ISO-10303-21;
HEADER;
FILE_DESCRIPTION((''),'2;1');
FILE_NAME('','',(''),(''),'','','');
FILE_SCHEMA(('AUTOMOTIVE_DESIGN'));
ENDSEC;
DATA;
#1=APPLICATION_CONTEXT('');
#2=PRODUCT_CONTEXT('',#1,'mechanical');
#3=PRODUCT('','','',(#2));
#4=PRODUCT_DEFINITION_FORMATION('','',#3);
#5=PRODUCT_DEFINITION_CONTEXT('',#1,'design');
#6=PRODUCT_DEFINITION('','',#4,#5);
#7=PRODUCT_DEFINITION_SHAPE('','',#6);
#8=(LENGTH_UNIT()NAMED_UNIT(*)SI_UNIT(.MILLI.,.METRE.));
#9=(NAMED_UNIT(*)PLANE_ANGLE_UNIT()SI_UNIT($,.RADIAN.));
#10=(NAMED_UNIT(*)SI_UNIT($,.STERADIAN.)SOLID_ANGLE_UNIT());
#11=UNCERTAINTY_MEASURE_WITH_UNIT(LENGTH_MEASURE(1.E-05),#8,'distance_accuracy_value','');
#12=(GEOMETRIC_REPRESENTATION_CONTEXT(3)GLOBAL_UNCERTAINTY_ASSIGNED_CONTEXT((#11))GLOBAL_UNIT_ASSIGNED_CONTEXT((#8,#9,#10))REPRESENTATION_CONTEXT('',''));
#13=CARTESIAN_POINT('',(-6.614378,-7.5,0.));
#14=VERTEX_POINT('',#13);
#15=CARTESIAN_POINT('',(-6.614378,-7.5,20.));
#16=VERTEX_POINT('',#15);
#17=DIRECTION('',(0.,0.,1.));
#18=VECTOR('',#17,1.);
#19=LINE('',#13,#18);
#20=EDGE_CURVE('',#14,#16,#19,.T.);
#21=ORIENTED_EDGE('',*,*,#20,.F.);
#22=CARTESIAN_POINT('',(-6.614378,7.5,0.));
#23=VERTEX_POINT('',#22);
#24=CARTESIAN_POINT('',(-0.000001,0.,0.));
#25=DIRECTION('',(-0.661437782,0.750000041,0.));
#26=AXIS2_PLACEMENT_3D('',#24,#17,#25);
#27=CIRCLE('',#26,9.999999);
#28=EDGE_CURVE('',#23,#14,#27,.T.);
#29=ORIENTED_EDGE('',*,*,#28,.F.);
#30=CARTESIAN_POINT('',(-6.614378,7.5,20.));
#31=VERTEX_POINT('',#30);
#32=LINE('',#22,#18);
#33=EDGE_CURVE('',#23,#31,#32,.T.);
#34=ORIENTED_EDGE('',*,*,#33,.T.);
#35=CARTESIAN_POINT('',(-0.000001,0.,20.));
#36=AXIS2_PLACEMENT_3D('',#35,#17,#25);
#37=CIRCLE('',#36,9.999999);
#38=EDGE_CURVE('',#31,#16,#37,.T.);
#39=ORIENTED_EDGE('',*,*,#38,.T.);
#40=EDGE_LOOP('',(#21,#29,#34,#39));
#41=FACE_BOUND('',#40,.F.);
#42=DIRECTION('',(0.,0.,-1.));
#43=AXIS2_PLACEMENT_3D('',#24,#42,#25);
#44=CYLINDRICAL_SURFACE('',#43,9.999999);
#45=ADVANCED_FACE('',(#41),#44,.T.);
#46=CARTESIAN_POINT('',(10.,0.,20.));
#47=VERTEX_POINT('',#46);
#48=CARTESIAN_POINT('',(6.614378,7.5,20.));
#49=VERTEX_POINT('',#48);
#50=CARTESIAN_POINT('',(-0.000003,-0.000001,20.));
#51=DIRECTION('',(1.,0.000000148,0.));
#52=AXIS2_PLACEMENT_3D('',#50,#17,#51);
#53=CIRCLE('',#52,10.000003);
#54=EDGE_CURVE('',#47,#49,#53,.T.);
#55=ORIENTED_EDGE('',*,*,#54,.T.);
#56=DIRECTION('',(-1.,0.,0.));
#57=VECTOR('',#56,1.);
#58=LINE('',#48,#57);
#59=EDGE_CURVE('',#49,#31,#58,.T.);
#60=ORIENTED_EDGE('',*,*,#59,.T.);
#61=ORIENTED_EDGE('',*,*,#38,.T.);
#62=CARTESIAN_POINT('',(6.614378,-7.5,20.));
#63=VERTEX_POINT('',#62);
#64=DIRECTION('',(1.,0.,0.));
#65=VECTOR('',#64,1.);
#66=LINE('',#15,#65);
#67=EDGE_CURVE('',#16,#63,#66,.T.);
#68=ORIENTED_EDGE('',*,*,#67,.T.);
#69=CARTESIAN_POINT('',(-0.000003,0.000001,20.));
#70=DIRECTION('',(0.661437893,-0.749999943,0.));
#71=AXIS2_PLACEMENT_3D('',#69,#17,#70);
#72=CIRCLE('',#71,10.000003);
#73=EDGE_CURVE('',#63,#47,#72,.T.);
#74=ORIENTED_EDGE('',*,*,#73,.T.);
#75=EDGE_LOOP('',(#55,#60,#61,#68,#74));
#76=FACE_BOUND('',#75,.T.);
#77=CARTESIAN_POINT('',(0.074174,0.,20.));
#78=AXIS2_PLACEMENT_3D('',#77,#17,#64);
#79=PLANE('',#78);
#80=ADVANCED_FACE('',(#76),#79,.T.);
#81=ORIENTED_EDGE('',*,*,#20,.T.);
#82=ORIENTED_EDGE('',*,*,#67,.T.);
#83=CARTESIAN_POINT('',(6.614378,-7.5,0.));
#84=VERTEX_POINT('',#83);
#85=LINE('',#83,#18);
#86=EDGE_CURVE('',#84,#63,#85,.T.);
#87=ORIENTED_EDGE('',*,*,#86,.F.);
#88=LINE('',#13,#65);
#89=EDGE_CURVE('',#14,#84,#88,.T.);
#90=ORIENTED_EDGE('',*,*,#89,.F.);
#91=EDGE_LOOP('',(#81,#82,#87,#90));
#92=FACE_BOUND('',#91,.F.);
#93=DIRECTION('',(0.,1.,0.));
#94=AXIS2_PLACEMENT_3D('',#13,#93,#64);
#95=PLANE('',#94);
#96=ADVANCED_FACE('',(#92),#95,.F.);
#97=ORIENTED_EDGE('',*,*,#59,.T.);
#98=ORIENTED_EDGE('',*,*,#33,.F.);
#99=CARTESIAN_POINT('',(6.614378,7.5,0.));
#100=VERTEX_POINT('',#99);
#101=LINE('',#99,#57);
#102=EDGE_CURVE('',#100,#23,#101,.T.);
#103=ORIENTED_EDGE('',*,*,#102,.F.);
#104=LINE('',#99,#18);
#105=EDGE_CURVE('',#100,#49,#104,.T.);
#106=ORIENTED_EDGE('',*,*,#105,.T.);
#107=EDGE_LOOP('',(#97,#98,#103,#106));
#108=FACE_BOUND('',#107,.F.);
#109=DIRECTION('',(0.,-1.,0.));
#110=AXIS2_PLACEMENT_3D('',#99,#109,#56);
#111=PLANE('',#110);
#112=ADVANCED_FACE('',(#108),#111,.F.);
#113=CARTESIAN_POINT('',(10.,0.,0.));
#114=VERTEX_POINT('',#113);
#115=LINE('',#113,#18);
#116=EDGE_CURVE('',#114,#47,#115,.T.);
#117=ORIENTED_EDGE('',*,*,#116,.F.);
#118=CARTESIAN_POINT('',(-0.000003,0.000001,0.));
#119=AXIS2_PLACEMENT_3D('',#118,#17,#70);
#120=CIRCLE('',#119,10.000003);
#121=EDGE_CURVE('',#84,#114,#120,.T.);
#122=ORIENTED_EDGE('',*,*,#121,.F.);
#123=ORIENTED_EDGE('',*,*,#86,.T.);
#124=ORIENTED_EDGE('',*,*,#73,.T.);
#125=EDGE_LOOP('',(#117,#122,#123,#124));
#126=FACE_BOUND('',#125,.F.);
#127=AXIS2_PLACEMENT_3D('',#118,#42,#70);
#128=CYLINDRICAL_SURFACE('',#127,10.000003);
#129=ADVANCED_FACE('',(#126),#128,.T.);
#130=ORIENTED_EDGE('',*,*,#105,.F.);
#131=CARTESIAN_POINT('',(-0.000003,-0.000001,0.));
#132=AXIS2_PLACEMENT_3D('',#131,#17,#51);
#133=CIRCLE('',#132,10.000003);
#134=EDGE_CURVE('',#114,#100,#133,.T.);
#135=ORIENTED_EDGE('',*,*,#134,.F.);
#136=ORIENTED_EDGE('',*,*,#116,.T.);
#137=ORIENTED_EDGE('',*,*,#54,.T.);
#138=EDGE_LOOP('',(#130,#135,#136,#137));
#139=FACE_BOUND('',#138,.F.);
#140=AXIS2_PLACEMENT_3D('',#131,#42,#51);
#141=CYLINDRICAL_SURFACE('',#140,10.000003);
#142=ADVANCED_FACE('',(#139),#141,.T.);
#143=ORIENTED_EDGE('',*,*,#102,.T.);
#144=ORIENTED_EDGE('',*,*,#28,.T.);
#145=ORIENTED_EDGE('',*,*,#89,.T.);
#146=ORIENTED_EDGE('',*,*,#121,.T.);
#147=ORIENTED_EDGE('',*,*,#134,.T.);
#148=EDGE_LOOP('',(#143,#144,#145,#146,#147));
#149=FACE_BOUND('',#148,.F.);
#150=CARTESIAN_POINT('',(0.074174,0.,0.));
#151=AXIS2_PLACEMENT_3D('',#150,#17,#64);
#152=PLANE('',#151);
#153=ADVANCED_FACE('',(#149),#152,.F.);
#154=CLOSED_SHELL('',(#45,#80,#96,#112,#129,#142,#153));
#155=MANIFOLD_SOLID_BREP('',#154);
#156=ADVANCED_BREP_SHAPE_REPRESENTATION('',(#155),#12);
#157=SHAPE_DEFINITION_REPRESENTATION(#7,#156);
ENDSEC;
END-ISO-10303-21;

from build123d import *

# Parameters (mm, degrees)
F1_DEPTH = 20


with BuildPart() as f1:
    # F0 (on Top) → F1 (new body)
    with BuildSketch(Plane.XY):
        with BuildLine():
            ThreePointArc((6.614378, -7.5), (9.114378, -4.114378), (10, 0))
            ThreePointArc((10, 0), (9.114378, 4.114378), (6.614378, 7.5))
            Line((6.614378, 7.5), (-6.614378, 7.5))
            ThreePointArc((-6.614378, 7.5), (-10, 0), (-6.614378, -7.5))
            Line((-6.614378, -7.5), (6.614378, -7.5))
        make_face()
    extrude(amount=F1_DEPTH)


solid = f1.part
